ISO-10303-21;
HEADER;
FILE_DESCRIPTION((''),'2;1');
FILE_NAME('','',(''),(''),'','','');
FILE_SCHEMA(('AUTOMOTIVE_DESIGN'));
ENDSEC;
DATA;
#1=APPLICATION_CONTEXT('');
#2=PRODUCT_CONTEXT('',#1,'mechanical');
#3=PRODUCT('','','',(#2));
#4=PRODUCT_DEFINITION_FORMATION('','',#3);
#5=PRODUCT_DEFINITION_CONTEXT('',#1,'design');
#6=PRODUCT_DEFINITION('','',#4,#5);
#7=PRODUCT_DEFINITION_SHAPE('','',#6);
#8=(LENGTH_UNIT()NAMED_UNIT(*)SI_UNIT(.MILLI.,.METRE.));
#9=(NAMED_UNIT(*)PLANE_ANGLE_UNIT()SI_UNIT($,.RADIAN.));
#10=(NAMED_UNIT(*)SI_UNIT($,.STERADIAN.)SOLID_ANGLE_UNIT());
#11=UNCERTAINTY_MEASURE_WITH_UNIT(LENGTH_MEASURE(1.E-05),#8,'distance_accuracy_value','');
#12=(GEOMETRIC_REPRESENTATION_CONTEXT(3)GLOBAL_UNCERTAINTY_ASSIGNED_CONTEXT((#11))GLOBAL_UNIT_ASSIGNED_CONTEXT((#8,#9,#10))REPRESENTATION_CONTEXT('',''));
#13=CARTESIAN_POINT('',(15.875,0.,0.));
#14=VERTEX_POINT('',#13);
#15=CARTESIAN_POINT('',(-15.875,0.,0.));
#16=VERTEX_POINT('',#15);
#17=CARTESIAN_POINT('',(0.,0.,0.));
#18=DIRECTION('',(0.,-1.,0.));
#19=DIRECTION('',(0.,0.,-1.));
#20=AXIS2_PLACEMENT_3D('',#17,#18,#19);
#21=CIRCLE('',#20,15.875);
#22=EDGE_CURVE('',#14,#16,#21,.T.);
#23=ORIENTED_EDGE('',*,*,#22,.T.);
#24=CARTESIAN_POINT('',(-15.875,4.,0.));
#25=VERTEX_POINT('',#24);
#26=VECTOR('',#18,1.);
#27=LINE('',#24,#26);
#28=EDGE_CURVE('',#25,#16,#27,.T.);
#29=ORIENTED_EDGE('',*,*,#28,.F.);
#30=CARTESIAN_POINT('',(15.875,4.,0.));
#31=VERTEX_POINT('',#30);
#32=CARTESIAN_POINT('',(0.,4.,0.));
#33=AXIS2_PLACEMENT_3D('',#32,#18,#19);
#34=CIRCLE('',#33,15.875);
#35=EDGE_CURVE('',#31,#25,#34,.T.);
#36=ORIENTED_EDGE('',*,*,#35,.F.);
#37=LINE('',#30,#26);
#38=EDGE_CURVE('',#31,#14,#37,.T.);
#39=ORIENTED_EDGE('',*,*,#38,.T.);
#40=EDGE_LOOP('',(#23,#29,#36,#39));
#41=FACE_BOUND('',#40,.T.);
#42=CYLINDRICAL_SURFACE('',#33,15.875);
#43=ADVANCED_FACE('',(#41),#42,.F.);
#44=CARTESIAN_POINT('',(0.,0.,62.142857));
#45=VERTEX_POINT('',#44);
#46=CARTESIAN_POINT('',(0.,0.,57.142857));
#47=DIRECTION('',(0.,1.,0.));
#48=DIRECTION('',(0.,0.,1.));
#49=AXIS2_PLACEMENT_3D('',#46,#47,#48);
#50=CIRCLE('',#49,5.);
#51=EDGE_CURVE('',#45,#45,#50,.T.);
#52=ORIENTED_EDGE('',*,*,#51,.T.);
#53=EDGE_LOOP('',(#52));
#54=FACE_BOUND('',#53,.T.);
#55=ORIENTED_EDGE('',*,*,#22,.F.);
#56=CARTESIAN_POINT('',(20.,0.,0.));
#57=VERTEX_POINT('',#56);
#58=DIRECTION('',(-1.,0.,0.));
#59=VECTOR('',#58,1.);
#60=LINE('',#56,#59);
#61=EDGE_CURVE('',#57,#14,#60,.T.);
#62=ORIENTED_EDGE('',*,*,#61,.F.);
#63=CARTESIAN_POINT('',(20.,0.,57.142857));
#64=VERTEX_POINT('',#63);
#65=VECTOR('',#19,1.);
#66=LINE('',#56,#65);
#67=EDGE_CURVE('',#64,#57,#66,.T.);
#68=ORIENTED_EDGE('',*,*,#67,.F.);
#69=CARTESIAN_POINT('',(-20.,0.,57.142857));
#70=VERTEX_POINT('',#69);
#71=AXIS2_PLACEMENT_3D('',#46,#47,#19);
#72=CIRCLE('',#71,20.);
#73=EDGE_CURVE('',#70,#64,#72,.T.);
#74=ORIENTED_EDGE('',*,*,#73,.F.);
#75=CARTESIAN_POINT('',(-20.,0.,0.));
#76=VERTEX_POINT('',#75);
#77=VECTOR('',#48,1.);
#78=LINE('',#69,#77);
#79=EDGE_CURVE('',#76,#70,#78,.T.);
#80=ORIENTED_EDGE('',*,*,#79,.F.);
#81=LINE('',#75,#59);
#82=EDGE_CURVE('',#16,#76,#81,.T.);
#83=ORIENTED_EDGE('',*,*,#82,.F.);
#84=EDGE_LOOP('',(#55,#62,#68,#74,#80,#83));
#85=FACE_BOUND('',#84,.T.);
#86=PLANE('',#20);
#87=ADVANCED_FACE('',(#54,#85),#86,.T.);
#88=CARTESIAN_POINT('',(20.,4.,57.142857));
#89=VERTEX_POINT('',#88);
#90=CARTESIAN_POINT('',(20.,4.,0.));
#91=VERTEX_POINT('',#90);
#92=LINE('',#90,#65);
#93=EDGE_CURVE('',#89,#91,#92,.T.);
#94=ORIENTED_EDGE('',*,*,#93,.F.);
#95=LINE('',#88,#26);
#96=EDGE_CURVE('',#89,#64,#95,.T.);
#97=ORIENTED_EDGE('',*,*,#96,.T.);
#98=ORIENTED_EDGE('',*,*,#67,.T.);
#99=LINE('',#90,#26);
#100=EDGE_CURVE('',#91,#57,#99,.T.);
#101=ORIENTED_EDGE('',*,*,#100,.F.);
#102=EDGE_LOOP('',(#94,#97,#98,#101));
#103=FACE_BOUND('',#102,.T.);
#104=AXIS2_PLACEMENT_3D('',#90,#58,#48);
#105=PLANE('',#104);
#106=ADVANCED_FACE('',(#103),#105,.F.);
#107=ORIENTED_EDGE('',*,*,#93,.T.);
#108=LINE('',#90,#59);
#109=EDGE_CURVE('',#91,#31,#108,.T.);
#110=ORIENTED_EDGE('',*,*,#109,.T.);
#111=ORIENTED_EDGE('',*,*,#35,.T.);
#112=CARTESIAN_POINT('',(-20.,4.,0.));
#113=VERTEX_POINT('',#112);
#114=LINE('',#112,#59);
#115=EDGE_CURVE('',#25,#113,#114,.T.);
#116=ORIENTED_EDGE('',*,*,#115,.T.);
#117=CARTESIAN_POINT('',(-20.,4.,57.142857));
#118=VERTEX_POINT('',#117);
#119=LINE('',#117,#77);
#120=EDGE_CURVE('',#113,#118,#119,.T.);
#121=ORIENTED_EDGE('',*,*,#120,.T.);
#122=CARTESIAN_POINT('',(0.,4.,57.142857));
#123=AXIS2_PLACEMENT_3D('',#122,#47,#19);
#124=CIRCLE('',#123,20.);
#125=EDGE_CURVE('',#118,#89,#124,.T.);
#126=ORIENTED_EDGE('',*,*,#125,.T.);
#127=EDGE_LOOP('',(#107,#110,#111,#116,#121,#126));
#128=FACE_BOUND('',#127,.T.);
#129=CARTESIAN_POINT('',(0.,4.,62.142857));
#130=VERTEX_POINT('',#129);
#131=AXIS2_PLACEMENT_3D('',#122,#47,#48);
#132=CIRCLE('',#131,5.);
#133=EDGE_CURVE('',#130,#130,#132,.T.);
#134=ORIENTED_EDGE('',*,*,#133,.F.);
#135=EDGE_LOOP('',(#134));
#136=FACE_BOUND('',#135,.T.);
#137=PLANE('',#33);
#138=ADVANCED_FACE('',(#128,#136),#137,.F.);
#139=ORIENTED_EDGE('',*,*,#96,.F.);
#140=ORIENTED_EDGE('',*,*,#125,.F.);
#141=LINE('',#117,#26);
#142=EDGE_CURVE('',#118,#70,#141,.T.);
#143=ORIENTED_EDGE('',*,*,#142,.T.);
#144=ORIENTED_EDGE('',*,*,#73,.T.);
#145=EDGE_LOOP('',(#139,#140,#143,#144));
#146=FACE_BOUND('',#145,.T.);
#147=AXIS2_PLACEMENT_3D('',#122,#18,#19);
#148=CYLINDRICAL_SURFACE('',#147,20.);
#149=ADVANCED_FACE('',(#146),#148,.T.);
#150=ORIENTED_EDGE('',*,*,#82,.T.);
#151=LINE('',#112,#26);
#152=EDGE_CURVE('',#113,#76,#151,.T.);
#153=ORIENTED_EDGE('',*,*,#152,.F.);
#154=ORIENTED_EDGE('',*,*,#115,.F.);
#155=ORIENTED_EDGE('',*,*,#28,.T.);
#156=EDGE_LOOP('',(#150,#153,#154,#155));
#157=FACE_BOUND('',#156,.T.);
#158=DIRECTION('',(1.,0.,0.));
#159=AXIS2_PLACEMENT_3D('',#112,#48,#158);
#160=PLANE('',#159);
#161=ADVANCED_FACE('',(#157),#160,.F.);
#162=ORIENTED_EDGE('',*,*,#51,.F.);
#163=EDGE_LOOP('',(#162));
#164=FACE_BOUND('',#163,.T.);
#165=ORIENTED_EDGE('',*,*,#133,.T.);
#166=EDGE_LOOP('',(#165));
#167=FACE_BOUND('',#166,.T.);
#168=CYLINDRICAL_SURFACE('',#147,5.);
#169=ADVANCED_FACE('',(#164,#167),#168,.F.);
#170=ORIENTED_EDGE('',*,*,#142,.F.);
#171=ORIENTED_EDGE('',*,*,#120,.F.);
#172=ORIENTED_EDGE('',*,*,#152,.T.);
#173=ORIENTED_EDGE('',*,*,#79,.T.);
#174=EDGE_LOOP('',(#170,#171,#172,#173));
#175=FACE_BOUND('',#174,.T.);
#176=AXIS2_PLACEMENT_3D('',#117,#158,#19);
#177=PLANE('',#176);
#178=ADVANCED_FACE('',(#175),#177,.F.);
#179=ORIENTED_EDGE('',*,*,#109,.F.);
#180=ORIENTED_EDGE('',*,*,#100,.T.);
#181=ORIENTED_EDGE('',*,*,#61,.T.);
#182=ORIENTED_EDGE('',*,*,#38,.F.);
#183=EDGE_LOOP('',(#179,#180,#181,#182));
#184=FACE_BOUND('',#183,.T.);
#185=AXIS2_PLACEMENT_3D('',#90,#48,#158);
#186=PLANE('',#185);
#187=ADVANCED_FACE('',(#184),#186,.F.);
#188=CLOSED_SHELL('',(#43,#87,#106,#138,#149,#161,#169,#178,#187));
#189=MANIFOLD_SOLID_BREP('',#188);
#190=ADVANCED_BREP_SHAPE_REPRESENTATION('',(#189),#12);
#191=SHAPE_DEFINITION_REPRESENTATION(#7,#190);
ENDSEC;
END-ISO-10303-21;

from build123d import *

# Parameters (mm, degrees)
SKETCH1_R           = 5
BOSS_EXTRUDE1_DEPTH = 4


with BuildPart() as part:
    # Sketch1 → Boss-Extrude1 (new body)
    with BuildSketch(Plane(origin=(0, 0, 0), x_dir=(1, 0, 0), z_dir=(0, 1, 0))):
        with BuildLine():
            Line((20, 0), (20, -57.142857143))
            ThreePointArc((20, -57.142857143), (0, -77.142857143), (-20, -57.142857143))
            Line((-20, -57.142857143), (-20, 0))
            Line((-20, 0), (-15.875, 0))
            ThreePointArc((-15.875, 0), (0, -15.875), (15.875, 0))
            Line((15.875, 0), (20, 0))
        make_face()
        with Locations(Location((0, -57.142857143, 0), (0, 0, 270))):
            Circle(SKETCH1_R, mode=Mode.SUBTRACT)
    extrude(amount=BOSS_EXTRUDE1_DEPTH)


solid = part.part
